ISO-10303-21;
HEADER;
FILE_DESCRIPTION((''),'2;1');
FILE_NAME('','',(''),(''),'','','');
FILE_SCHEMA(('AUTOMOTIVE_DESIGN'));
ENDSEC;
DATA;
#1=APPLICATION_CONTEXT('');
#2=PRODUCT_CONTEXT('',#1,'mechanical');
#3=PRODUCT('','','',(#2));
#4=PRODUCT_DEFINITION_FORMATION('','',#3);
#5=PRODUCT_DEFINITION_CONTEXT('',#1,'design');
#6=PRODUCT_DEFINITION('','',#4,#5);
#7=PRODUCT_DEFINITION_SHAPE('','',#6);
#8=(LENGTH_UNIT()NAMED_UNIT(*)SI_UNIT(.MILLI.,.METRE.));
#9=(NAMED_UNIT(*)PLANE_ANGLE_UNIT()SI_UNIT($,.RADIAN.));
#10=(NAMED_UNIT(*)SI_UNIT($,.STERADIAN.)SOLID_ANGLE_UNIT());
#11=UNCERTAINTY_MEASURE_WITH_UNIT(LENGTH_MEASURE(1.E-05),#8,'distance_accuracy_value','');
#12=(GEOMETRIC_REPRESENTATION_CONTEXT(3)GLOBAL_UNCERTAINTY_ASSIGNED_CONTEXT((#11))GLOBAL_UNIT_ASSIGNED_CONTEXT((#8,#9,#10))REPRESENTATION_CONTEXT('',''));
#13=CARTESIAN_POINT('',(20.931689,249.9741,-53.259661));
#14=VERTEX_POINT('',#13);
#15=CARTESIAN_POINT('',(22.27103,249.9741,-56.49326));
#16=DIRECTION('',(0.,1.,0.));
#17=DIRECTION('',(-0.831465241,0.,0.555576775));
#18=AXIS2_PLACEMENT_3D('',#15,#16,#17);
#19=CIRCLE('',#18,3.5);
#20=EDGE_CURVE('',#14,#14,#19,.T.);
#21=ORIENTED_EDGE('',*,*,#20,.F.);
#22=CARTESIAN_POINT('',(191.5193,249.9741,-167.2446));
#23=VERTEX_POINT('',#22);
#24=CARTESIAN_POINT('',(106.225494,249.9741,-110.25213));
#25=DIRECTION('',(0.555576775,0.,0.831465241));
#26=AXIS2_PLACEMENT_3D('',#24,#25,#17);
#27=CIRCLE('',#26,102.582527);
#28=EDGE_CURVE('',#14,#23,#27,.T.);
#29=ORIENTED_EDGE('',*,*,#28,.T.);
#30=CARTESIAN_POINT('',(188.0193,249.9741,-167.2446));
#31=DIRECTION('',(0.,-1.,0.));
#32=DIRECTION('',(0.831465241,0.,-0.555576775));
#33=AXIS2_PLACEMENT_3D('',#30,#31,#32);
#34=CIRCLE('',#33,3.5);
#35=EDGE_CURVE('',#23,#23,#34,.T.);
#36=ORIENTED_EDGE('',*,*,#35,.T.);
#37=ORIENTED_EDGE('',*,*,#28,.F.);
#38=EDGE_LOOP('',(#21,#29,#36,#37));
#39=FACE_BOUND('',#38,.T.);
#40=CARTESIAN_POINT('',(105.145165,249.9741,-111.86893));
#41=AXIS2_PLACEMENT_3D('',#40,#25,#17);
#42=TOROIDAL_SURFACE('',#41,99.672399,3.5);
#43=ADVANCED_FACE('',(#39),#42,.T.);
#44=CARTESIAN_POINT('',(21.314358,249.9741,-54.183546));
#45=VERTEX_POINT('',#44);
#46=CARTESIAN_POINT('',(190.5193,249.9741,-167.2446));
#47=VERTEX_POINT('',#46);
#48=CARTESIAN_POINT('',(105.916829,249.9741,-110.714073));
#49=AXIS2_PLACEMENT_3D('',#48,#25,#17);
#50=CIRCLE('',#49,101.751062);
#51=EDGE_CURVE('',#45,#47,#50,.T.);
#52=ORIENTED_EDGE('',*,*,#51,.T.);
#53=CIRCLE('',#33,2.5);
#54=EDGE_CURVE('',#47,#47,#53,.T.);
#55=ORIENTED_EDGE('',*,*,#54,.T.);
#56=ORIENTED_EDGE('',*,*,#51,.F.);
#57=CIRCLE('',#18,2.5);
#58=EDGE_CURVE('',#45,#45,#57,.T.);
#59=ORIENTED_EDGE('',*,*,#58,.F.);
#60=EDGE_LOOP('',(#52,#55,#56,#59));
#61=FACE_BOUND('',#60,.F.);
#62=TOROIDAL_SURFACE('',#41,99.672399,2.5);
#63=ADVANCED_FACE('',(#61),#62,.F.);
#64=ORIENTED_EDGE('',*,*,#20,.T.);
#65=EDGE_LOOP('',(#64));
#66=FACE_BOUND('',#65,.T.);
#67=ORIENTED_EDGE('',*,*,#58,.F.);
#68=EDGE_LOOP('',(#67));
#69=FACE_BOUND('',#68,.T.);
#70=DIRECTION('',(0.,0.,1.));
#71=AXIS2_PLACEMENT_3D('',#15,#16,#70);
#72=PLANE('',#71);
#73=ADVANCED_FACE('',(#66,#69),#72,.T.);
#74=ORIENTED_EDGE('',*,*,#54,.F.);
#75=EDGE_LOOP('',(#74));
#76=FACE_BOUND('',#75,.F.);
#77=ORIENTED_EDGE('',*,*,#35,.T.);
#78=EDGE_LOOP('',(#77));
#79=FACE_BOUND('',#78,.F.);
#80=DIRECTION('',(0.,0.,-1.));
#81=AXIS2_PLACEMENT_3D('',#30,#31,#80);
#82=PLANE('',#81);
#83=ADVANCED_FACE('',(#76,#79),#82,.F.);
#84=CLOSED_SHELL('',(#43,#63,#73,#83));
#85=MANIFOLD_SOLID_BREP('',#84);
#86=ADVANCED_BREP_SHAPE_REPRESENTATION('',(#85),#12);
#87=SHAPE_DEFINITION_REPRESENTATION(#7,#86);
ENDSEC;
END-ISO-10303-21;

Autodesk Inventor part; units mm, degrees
ref_plane "YZ Plane" through (0, 0, 0) normal (1, 0, 0) x (0, 1, 0)
ref_plane "XZ Plane" through (0, 0, 0) normal (0, 1, 0) x (-1, 0, 0)
ref_plane "XY Plane" through (0, 0, 0) normal (0, 0, 1) x (1, 0, 0)
ref_plane "РабПлоскость1" through (22.2702, 249.9741, -56.4945) normal (0.5556, 0, 0.8315) x (0, -1, 0)
sketch "Эскиз2" plane through (22.2702, 249.9741, -56.4945) normal (0.5556, 0, 0.8315) x (0, -1, 0)
  arc A0 (0, 0) -> (0, 199.3448) centre (0, 99.6724) ccw
  point P0 (249.9741, -49.9036)
ref_plane "РабПлоскость2" through (188.0193, 249.9741, -167.2446) normal (0, -1, 0) x (1, 0, 0)
sketch "Эскиз3" plane through (188.0193, 249.9741, -167.2446) normal (0, -1, 0) x (1, 0, 0)
  circle A0 centre (0, 0) radius 3.5 projected
  circle A1 centre (0, 0) radius 2.5 projected
  point P0 (-188.0193, 167.2446)
sweep "Сдвиг1" add profiles "Эскиз3" path "Эскиз2"
properties part number "winding_not_formed_3_A"
